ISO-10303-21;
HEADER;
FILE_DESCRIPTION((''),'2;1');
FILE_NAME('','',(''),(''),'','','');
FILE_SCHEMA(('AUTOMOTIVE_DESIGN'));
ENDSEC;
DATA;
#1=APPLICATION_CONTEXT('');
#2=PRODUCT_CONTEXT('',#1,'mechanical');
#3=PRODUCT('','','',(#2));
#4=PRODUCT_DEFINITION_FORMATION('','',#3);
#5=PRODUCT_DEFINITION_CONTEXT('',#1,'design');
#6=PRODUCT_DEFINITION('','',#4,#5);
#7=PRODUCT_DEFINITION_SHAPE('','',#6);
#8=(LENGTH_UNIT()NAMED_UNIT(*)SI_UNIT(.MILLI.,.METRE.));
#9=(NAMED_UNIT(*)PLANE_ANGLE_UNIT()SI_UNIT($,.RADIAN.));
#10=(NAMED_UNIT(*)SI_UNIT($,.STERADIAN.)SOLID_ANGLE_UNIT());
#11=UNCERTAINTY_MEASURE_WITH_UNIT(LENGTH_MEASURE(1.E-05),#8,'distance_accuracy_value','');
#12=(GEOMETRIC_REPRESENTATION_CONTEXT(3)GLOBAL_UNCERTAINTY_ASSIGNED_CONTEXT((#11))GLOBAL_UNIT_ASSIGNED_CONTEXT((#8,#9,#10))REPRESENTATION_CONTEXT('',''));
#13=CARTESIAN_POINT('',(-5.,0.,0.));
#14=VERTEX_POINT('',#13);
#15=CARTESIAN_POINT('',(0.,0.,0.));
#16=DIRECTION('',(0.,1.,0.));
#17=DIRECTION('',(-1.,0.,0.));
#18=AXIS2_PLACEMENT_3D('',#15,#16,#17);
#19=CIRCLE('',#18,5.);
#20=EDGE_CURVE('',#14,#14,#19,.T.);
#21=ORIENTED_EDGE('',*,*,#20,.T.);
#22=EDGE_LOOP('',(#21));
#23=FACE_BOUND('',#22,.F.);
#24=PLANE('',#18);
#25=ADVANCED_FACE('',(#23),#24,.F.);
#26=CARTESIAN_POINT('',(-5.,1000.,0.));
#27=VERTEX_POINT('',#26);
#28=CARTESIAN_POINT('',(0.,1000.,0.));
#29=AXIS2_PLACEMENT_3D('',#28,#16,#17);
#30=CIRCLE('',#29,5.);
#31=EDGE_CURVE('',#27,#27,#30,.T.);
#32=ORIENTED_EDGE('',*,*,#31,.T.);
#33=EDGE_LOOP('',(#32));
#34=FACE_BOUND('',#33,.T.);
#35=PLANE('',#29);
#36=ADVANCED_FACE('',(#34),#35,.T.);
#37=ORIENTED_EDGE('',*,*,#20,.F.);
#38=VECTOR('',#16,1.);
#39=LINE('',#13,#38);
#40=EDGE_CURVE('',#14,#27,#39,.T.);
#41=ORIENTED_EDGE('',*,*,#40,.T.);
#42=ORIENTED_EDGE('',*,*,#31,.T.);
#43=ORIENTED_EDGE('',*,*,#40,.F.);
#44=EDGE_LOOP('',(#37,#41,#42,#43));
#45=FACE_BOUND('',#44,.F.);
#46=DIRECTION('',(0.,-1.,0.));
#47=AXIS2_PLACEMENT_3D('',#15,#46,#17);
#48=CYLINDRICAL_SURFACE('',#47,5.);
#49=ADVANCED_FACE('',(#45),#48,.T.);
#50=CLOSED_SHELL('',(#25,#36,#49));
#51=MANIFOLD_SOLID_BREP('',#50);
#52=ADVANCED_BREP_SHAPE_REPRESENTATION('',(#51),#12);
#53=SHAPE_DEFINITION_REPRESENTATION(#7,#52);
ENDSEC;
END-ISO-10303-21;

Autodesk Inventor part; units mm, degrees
ref_plane "YZ Plane" through (0, 0, 0) normal (1, 0, 0) x (0, 1, 0)
ref_plane "XZ Plane" through (0, 0, 0) normal (0, 1, 0) x (-1, 0, 0)
ref_plane "XY Plane" through (0, 0, 0) normal (0, 0, 1) x (1, 0, 0)
sketch "Sketch1" plane through (0, 0, 0) normal (0, 1, 0) x (-1, 0, 0)
  circle A0 centre (0, 0) radius 5
  dimension "d0" = 10
extrude "Extrusion1" add sketch "Sketch1" along normal blind 1000
sketch "Sketch2" plane through (0, 1000, 0) normal (0, 1, 0) x (1, 0, 0)
  circle A0 centre (0, 0) radius 5 projected
  circle A1 centre (0, 0) radius 5 projected
  line L0 (5, 0) -> (5, 0)
  line L1 (0, 0) -> (0, 5)
  point P0 (5, 6.245)
  point P1 (5, -6.245)
  dimension "d3" = 5
extrude "Extrusion2" [suppressed]
thread "Thread1" size "M60x4" class "6g" standard "ANSI Metric M Profile" length 975
properties part number "ball screw" material "Stainless Steel"
